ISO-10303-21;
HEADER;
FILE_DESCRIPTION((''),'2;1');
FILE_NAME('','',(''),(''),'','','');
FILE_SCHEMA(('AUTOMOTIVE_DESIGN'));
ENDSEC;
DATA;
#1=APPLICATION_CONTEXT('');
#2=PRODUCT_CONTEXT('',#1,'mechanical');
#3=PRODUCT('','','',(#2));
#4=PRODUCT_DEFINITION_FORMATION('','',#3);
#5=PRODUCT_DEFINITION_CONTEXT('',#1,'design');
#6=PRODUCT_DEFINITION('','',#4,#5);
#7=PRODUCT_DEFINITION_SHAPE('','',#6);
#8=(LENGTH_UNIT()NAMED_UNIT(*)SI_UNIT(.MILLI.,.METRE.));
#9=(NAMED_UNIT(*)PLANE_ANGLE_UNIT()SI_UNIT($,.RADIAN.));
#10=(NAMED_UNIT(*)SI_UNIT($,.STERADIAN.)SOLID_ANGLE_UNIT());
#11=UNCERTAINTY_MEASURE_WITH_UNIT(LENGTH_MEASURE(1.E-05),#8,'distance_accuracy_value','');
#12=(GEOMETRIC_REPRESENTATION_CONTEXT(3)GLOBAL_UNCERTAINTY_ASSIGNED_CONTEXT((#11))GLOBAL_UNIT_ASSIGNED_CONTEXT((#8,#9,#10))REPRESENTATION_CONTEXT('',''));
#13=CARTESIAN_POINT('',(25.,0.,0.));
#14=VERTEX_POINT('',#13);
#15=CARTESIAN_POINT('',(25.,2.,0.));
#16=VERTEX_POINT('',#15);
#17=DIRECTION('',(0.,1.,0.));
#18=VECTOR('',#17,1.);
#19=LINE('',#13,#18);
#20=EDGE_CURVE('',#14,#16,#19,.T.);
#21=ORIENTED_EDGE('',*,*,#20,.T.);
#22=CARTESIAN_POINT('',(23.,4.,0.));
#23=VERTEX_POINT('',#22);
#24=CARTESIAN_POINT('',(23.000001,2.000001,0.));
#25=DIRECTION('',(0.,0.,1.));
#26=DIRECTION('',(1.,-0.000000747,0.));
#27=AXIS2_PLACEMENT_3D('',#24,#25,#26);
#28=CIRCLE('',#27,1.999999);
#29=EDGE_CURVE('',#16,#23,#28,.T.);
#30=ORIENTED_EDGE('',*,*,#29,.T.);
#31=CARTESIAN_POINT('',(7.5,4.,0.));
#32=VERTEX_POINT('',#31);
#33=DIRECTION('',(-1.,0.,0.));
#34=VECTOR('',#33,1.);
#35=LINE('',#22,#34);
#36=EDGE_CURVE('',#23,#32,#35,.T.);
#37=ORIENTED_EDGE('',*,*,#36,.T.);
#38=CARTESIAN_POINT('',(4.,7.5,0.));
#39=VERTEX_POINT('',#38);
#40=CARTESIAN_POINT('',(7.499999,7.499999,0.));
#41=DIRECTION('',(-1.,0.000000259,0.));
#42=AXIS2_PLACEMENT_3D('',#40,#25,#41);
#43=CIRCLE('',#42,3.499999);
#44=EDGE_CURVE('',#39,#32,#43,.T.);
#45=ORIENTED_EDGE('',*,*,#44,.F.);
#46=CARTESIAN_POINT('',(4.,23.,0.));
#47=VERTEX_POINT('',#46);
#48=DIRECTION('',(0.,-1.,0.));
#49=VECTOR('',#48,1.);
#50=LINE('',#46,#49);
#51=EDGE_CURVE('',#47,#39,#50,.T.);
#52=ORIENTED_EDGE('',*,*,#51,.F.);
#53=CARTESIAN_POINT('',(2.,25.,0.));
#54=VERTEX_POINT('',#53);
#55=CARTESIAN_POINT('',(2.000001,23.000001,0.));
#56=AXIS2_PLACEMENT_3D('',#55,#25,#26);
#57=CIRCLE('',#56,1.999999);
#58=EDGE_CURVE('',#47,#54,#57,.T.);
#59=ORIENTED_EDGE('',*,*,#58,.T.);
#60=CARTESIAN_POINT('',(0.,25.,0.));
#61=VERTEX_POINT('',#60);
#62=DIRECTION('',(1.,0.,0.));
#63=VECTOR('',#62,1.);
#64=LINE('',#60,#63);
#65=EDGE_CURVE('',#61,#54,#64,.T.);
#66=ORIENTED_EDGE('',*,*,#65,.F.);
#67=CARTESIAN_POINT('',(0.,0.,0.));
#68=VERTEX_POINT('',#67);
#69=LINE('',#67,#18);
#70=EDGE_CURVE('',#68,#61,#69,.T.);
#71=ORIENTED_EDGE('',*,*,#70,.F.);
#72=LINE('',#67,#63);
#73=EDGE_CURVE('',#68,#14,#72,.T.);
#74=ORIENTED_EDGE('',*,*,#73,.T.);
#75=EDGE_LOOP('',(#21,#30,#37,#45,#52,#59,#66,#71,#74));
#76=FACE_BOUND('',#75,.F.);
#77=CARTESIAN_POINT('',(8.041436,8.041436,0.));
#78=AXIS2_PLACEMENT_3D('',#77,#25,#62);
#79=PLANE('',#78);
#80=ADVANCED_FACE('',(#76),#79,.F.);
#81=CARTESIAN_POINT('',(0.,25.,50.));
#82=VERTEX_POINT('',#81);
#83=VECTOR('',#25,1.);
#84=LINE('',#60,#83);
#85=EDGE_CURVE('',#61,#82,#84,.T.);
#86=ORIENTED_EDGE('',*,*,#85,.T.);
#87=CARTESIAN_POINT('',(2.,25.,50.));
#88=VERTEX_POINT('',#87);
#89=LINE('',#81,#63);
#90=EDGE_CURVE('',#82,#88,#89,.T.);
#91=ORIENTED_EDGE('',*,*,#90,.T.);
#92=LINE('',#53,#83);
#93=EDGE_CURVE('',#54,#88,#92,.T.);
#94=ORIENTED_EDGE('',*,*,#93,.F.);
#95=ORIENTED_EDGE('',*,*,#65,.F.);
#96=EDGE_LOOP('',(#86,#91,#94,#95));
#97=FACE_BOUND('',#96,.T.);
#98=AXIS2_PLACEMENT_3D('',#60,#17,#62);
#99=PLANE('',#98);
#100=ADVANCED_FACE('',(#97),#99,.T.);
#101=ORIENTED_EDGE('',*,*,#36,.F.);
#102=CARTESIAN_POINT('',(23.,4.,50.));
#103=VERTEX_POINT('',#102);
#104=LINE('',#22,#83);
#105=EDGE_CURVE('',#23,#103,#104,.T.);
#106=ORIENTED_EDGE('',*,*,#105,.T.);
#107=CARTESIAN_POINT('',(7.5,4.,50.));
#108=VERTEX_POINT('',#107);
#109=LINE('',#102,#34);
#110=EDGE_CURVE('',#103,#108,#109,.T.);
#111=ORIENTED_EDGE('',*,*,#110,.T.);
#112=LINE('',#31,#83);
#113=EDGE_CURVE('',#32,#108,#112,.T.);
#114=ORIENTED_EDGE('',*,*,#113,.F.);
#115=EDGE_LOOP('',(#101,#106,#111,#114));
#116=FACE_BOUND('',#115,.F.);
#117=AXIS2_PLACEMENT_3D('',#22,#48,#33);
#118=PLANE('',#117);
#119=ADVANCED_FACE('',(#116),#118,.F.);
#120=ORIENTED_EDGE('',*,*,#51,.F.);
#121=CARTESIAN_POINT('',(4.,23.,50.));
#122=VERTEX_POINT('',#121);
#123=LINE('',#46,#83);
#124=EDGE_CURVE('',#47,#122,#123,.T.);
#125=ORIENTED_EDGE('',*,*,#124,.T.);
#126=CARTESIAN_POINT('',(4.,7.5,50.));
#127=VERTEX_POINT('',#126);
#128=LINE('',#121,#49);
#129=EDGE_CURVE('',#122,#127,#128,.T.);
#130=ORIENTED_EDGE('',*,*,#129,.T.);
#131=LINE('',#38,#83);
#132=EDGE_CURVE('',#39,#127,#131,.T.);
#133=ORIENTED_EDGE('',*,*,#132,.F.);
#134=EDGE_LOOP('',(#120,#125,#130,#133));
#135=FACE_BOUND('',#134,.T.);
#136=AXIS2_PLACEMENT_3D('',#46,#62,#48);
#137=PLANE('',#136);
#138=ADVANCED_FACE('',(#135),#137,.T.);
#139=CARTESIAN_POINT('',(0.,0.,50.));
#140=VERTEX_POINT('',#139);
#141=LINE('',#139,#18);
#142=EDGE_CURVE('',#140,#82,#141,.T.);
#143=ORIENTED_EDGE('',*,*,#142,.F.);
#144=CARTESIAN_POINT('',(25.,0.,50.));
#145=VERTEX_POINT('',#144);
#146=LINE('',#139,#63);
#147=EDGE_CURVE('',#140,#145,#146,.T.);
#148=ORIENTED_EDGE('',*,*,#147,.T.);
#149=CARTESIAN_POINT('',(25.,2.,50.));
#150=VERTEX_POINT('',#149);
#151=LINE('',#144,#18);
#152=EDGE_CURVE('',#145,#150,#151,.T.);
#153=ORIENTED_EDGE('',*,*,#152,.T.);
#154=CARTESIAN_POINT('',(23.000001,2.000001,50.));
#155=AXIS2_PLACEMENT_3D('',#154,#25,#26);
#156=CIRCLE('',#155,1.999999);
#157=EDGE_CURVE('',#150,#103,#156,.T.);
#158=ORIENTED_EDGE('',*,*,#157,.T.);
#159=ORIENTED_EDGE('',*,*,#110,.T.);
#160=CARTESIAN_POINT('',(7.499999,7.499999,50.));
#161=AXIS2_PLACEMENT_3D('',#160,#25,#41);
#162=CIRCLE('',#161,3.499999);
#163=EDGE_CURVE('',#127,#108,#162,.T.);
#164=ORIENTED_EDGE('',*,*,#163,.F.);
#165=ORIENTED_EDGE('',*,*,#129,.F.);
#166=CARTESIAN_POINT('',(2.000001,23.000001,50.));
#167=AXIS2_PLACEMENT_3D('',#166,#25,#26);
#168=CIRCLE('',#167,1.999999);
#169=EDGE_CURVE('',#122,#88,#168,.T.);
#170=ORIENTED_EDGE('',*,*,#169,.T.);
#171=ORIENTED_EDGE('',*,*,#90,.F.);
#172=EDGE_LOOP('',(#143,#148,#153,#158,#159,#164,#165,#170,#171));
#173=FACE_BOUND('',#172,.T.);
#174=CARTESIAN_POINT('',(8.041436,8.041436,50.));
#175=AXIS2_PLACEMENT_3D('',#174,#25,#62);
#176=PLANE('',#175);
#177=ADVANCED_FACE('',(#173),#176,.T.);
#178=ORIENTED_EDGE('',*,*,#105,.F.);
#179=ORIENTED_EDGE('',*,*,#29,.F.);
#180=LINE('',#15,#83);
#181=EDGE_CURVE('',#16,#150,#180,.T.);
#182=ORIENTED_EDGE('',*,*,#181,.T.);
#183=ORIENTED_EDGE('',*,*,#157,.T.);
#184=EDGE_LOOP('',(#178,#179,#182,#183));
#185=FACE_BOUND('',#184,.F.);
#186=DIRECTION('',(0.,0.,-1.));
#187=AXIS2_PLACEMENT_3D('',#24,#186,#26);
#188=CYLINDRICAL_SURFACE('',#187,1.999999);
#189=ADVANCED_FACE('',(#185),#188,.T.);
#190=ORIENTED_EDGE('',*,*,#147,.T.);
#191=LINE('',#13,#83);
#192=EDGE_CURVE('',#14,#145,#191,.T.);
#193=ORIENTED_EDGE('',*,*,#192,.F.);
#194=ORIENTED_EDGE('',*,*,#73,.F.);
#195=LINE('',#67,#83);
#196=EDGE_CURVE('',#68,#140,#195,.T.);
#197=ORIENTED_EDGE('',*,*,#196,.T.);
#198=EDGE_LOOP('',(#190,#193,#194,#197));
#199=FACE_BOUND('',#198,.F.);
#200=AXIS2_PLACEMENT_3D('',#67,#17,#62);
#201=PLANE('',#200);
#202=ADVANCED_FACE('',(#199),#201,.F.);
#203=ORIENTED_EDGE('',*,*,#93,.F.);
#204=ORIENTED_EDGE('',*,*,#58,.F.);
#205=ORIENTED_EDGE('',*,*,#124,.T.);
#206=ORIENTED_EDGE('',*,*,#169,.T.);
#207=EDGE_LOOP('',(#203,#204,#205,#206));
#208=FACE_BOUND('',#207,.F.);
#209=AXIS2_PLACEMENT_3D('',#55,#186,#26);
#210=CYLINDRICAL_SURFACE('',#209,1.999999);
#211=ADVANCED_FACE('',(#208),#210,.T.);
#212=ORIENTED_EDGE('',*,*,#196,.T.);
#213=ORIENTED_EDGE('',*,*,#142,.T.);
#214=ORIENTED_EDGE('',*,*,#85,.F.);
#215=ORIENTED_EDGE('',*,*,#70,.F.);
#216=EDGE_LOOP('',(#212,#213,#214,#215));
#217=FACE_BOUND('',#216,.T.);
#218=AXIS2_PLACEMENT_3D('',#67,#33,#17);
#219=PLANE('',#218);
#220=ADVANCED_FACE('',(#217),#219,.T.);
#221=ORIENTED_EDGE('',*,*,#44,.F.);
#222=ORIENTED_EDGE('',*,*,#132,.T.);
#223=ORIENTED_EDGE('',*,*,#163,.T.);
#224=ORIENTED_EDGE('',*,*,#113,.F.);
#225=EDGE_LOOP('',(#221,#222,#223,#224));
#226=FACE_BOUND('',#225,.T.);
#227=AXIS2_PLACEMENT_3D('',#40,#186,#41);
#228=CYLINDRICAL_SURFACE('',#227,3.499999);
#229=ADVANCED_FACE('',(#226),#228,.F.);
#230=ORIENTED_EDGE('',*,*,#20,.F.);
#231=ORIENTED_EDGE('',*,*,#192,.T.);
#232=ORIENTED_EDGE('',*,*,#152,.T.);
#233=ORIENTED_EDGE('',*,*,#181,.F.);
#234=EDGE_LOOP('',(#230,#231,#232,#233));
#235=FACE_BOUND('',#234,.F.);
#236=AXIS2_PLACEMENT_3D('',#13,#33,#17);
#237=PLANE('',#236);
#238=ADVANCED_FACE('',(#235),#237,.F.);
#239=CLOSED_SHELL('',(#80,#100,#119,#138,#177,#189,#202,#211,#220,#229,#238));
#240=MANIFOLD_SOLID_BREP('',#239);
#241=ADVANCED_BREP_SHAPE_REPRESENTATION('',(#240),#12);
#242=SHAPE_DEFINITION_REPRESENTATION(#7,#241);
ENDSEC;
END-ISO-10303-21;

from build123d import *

# Parameters (mm, degrees)
EXTRUDE_DEPTH = 50


with BuildPart() as part:
    # Sketch → Extrude (new body)
    with BuildSketch(Plane.XY):
        with BuildLine():
            Line((0, 0), (25, 0))
            Line((25, 0), (25, 2))
            ThreePointArc((25, 2), (24.414214, 3.414214), (23, 4))
            Line((23, 4), (7.5, 4))
            ThreePointArc((4, 7.5), (5.025126, 5.025126), (7.5, 4))
            Line((4, 23), (4, 7.5))
            ThreePointArc((4, 23), (3.414214, 24.414214), (2, 25))
            Line((0, 25), (2, 25))
            Line((0, 0), (0, 25))
        make_face()
    extrude(amount=EXTRUDE_DEPTH)


solid = part.part
